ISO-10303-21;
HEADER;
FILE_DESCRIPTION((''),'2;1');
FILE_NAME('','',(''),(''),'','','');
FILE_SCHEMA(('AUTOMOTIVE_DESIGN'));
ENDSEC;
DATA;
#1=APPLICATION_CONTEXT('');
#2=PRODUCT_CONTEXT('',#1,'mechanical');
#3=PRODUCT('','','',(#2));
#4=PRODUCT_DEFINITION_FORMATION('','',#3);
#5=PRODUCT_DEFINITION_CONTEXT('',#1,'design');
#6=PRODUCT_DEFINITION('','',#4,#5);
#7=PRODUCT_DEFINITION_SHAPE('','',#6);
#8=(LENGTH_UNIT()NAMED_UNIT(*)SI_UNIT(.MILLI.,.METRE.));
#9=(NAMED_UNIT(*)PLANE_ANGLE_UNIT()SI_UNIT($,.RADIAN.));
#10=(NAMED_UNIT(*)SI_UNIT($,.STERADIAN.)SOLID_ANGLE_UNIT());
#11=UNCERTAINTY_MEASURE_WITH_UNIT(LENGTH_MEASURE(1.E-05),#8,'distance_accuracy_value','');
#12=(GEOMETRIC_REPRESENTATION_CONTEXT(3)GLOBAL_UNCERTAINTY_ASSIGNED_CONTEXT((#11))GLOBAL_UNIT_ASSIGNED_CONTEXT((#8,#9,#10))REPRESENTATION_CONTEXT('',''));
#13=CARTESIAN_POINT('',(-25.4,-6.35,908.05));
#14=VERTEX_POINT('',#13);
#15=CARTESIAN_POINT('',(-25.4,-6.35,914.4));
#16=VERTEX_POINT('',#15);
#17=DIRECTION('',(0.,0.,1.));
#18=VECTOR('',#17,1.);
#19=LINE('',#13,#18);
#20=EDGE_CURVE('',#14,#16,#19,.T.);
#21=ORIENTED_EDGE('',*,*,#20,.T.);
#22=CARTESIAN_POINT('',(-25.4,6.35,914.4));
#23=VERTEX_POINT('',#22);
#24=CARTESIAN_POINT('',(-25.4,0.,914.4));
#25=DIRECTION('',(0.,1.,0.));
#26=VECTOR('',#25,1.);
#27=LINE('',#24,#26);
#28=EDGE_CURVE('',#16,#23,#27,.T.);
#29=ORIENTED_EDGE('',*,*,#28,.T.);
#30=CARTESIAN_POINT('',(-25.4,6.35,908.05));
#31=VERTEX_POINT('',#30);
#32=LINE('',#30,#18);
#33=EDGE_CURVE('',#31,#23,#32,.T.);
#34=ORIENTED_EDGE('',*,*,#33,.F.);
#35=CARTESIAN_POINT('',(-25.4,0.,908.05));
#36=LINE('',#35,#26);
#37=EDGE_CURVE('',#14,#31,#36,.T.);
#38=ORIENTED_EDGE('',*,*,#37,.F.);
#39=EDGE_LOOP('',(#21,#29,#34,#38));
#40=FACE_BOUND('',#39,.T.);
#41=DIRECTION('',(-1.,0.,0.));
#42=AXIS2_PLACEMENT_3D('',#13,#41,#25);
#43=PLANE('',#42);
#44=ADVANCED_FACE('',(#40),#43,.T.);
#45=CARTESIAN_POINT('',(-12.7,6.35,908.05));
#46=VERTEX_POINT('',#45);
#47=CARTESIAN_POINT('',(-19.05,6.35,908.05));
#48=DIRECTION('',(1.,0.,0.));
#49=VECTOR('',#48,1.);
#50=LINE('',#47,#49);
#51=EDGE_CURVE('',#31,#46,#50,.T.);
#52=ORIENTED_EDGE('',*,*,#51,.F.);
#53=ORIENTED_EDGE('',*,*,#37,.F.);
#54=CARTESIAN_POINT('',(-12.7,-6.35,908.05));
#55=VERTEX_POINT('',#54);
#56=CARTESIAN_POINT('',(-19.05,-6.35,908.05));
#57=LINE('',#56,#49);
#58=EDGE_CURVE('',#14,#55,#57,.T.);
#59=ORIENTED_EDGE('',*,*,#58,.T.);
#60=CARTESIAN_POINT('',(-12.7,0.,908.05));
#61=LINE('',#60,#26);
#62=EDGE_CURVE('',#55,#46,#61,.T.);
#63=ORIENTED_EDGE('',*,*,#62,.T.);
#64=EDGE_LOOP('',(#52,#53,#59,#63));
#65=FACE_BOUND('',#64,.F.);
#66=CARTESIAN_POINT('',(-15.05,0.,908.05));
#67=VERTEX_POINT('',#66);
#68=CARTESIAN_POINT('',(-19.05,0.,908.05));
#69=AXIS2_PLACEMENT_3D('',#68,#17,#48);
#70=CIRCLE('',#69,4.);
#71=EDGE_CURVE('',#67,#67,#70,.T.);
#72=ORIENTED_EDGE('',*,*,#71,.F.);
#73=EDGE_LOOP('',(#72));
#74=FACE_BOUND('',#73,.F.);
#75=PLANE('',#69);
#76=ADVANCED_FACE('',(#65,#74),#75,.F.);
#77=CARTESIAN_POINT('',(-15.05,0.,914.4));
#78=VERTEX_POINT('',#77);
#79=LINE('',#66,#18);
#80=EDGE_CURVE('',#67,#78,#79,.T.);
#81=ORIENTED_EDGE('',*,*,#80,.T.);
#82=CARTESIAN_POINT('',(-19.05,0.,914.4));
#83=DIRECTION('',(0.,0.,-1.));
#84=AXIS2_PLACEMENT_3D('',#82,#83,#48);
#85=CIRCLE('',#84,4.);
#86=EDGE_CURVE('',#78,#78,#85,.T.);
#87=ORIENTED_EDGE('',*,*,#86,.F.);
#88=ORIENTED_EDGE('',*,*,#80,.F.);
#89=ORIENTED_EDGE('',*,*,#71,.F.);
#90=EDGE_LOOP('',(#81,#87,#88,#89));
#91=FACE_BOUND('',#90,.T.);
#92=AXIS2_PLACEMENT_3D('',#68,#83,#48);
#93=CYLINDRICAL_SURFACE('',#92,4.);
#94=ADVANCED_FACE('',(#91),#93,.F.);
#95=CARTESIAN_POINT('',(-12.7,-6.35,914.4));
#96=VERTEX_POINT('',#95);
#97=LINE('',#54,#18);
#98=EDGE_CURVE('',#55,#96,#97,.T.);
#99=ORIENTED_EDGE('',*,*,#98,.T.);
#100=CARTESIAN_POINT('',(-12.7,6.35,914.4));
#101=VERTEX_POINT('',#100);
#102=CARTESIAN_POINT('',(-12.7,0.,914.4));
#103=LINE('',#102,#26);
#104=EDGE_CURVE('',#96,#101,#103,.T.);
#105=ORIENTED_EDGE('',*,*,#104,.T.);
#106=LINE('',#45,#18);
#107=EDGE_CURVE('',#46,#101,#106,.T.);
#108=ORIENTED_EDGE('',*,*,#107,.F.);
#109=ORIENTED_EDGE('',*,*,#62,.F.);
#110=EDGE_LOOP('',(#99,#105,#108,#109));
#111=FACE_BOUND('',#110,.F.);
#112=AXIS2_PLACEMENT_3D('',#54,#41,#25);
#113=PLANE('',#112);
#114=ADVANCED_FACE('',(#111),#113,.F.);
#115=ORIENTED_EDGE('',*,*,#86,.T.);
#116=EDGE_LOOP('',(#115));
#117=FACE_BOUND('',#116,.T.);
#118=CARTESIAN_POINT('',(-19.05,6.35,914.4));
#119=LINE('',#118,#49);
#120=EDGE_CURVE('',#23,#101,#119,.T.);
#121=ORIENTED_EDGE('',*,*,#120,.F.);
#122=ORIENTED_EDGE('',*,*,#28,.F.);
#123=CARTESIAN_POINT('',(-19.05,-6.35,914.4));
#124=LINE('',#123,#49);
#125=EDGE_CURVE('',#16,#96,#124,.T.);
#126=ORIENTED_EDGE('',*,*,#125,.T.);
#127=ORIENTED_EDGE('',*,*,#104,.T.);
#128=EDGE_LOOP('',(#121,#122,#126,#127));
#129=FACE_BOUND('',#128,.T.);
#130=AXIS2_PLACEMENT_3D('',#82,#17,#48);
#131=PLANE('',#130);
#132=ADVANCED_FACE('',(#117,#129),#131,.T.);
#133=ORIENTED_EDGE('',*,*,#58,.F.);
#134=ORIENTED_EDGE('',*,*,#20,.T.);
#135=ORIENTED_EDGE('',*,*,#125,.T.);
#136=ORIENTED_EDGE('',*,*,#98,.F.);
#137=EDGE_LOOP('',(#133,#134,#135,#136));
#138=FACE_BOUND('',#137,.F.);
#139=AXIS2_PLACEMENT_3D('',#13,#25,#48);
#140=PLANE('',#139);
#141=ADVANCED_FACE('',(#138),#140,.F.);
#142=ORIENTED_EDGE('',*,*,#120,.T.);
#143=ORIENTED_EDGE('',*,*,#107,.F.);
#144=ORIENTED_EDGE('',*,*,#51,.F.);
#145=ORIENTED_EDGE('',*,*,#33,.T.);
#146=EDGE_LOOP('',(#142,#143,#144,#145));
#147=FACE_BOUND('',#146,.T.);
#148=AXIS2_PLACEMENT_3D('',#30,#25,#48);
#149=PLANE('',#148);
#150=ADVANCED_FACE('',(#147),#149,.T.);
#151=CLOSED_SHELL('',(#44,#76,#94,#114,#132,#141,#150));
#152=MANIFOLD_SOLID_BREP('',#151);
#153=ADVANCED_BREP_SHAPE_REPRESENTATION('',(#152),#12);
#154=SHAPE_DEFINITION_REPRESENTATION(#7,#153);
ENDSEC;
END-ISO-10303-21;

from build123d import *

# Parameters (mm, degrees)
CYLINDER040_R     = 4
CYLINDER040_DEPTH = 10
BOX019_W          = 12.7
BOX019_H          = 12.7
BOX019_DEPTH      = 6.35


with BuildPart() as cylinder040:
    # Cylinder040 → Cylinder040 (new body)
    with BuildSketch(Plane(origin=(6.35, 6.35, 0), x_dir=(1, 0, 0), z_dir=(0, 0, 1))):
        Circle(CYLINDER040_R)
    extrude(amount=CYLINDER040_DEPTH)


with BuildPart() as m8_nut006:
    # Box019 → Box019 (new body)
    with BuildSketch(Plane.XY):
        with Locations((6.35, 6.35)):
            Rectangle(BOX019_W, BOX019_H)
    extrude(amount=BOX019_DEPTH)

    # Cut017: cut Cylinder040
    add(cylinder040.part, mode=Mode.SUBTRACT)


with BuildPart() as m8_nut006_1:
    # Cut017 placement: moved
    add(m8_nut006.part.moved(Location((-25.4, -6.35, 908.05))))


solid = m8_nut006_1.part
